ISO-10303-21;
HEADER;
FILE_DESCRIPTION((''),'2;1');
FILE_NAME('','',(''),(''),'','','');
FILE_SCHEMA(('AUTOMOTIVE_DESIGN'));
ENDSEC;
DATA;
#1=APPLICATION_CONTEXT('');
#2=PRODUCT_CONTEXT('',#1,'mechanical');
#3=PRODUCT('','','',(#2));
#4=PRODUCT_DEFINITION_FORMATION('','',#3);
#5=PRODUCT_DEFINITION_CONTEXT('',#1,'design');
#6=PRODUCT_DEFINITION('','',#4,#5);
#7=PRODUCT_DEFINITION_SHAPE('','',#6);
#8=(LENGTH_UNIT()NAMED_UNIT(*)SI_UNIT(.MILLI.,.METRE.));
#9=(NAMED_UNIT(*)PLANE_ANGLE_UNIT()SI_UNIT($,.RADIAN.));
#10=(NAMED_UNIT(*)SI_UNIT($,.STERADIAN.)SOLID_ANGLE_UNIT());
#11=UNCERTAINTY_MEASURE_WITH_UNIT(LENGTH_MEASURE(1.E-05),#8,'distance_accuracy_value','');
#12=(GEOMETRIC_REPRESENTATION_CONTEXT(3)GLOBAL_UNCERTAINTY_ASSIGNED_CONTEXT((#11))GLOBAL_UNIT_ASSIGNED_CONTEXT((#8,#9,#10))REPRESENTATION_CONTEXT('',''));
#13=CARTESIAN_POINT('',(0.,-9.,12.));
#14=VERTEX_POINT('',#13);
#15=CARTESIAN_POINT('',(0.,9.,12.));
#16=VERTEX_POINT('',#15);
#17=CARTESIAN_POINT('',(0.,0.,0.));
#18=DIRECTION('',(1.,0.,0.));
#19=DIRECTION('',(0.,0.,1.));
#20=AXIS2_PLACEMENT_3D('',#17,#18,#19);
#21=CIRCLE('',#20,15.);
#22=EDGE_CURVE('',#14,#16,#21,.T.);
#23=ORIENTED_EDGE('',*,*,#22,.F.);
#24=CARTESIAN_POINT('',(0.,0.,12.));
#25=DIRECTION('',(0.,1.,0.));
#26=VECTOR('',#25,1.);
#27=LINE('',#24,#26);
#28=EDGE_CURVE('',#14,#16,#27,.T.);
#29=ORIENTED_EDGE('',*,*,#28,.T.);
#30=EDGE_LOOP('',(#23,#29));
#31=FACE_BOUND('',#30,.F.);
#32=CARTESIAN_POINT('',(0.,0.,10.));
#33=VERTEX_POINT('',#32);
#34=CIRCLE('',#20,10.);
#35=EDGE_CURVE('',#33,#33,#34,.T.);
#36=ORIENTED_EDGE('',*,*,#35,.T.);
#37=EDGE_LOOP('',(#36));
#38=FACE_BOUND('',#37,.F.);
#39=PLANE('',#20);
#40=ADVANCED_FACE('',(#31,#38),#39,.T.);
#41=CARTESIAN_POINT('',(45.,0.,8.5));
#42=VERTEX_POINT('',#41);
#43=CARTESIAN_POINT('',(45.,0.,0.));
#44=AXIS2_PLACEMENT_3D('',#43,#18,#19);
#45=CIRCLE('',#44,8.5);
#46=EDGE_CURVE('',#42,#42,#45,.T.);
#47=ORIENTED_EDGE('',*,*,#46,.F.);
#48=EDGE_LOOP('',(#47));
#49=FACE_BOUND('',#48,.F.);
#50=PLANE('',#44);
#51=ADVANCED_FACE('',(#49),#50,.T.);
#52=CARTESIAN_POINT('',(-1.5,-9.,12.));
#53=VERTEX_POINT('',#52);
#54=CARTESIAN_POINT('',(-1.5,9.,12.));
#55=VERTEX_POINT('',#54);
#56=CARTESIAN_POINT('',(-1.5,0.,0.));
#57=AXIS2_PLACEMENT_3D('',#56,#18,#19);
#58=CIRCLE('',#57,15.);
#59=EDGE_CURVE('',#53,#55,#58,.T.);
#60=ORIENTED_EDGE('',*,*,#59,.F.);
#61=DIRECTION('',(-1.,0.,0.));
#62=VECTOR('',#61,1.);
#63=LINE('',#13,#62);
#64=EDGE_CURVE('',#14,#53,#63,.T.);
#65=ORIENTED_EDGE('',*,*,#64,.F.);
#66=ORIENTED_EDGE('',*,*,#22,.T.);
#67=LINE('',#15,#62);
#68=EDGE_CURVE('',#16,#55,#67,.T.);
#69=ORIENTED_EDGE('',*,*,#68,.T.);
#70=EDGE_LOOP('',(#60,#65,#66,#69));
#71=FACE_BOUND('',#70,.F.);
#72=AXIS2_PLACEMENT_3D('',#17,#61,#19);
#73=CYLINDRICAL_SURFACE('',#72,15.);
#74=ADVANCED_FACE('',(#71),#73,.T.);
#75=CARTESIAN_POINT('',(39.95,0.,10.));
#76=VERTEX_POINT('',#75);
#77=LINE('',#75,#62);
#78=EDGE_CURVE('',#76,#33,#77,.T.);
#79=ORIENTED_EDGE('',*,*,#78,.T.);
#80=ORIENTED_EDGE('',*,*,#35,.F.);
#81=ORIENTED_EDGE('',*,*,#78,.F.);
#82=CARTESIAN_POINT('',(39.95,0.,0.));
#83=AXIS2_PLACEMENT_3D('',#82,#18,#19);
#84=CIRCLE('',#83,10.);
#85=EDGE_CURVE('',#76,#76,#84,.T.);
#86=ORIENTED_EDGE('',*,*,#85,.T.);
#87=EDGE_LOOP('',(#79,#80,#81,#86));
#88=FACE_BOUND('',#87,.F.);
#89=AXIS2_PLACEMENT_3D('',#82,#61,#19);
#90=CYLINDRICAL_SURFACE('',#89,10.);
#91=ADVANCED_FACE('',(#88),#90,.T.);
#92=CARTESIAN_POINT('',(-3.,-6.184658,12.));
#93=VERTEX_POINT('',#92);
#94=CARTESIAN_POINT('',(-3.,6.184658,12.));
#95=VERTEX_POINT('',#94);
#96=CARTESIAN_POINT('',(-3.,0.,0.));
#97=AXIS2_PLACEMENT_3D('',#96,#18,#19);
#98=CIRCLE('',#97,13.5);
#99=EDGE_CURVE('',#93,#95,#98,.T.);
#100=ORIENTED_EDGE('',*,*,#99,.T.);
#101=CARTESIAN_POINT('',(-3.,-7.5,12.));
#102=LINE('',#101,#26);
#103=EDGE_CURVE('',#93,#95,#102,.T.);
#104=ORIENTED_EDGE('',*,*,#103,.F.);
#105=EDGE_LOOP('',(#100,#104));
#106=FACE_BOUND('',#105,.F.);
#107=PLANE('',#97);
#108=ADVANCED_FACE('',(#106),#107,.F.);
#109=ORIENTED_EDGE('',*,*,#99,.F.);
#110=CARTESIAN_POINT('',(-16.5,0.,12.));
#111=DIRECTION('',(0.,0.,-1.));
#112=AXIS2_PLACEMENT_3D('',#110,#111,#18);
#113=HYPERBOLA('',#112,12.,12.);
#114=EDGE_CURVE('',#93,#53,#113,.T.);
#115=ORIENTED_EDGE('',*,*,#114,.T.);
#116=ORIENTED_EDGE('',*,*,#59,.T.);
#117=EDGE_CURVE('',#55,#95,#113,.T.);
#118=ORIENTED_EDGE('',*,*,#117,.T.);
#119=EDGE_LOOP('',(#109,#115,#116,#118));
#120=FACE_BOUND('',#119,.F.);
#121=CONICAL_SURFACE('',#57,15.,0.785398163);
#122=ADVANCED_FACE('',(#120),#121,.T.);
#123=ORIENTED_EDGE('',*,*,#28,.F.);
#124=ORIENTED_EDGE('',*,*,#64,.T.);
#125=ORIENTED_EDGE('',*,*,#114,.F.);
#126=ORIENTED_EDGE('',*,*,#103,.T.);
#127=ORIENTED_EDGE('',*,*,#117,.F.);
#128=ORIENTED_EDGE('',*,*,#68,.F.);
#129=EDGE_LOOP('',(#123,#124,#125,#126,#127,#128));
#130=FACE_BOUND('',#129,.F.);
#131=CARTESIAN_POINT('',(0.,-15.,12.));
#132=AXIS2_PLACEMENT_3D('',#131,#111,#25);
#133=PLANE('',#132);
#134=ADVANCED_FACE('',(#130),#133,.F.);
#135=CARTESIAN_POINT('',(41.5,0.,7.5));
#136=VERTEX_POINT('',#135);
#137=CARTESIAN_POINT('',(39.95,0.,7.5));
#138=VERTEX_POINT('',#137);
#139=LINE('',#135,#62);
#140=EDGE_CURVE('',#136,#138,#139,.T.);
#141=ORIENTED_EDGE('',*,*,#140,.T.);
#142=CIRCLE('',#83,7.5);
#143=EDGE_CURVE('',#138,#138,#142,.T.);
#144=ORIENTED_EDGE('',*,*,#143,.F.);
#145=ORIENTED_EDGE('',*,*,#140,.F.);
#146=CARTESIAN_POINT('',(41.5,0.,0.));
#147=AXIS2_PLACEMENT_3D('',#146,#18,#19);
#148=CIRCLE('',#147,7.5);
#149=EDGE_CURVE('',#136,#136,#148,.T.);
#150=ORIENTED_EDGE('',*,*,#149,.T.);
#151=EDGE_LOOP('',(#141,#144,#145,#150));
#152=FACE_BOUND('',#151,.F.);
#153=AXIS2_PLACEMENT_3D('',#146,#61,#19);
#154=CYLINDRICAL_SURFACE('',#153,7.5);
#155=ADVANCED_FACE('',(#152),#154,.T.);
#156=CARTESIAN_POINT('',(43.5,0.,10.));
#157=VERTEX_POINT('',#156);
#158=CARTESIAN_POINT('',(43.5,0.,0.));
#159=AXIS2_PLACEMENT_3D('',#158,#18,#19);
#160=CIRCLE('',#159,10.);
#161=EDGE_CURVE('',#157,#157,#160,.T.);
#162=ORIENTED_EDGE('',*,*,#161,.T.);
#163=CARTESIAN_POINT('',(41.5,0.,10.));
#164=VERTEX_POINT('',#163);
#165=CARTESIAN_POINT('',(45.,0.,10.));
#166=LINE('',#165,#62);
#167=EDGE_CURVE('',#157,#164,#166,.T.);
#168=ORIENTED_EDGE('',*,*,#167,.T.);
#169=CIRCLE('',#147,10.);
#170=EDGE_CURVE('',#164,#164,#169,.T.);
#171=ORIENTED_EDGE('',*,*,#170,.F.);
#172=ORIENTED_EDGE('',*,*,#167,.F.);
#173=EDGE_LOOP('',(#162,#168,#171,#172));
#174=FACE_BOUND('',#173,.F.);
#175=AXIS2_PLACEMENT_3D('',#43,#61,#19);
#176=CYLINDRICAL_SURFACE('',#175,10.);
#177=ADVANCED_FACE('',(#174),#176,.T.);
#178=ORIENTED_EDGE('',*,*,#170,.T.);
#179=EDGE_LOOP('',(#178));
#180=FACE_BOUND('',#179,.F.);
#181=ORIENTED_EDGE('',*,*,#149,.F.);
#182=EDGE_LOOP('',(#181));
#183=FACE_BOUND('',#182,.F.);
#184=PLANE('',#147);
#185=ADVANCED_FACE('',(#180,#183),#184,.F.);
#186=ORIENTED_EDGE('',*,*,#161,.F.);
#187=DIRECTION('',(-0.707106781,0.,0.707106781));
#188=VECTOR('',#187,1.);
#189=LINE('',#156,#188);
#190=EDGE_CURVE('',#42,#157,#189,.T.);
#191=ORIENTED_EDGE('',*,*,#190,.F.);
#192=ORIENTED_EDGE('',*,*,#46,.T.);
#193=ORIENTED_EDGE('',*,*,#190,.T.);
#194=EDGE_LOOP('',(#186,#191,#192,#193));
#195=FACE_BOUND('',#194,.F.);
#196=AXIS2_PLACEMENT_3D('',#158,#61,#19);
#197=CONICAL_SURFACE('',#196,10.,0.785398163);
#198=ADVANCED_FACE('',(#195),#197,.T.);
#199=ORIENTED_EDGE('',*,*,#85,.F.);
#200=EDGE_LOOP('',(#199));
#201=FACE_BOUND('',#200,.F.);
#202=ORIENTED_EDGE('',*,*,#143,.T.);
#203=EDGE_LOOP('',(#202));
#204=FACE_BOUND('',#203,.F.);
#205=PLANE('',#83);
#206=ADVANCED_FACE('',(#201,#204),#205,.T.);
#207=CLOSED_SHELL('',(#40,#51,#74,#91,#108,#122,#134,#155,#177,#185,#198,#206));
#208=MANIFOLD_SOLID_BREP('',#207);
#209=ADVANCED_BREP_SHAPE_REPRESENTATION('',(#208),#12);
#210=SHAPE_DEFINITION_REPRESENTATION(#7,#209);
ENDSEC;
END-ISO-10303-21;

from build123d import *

# Parameters (mm, degrees)
F2_SIZE  = 1.5
F3_W     = 30
F3_H     = 3
F4_DEPTH = 3.001


with BuildPart() as f1:
    # F0 (on Front) → F1 (revolve)
    with BuildSketch(Plane.XZ):
        Polygon((0, 10), (0, 15), (-3, 15), (-3, 0), (45, 0), (45, 10), (41.5, 10), (41.5, 7.5), (39.95, 7.5), (39.95, 10), align=None)
    revolve(axis=Axis((21, 0, 0), (1, 0, 0)))

    # F2
    f2_edges = [f1.edges().sort_by_distance(p)[0] for p in [
        (45, 0, -10),
        (-3, 0, -15),
    ]]
    chamfer(f2_edges, length=F2_SIZE)

    # F3 (on Right) → F4 (cut, through all)
    with BuildSketch(Plane.YZ):
        with Locations((0, 13.5)):
            Rectangle(F3_W, F3_H)
    extrude(amount=-F4_DEPTH, mode=Mode.SUBTRACT)


solid = f1.part
